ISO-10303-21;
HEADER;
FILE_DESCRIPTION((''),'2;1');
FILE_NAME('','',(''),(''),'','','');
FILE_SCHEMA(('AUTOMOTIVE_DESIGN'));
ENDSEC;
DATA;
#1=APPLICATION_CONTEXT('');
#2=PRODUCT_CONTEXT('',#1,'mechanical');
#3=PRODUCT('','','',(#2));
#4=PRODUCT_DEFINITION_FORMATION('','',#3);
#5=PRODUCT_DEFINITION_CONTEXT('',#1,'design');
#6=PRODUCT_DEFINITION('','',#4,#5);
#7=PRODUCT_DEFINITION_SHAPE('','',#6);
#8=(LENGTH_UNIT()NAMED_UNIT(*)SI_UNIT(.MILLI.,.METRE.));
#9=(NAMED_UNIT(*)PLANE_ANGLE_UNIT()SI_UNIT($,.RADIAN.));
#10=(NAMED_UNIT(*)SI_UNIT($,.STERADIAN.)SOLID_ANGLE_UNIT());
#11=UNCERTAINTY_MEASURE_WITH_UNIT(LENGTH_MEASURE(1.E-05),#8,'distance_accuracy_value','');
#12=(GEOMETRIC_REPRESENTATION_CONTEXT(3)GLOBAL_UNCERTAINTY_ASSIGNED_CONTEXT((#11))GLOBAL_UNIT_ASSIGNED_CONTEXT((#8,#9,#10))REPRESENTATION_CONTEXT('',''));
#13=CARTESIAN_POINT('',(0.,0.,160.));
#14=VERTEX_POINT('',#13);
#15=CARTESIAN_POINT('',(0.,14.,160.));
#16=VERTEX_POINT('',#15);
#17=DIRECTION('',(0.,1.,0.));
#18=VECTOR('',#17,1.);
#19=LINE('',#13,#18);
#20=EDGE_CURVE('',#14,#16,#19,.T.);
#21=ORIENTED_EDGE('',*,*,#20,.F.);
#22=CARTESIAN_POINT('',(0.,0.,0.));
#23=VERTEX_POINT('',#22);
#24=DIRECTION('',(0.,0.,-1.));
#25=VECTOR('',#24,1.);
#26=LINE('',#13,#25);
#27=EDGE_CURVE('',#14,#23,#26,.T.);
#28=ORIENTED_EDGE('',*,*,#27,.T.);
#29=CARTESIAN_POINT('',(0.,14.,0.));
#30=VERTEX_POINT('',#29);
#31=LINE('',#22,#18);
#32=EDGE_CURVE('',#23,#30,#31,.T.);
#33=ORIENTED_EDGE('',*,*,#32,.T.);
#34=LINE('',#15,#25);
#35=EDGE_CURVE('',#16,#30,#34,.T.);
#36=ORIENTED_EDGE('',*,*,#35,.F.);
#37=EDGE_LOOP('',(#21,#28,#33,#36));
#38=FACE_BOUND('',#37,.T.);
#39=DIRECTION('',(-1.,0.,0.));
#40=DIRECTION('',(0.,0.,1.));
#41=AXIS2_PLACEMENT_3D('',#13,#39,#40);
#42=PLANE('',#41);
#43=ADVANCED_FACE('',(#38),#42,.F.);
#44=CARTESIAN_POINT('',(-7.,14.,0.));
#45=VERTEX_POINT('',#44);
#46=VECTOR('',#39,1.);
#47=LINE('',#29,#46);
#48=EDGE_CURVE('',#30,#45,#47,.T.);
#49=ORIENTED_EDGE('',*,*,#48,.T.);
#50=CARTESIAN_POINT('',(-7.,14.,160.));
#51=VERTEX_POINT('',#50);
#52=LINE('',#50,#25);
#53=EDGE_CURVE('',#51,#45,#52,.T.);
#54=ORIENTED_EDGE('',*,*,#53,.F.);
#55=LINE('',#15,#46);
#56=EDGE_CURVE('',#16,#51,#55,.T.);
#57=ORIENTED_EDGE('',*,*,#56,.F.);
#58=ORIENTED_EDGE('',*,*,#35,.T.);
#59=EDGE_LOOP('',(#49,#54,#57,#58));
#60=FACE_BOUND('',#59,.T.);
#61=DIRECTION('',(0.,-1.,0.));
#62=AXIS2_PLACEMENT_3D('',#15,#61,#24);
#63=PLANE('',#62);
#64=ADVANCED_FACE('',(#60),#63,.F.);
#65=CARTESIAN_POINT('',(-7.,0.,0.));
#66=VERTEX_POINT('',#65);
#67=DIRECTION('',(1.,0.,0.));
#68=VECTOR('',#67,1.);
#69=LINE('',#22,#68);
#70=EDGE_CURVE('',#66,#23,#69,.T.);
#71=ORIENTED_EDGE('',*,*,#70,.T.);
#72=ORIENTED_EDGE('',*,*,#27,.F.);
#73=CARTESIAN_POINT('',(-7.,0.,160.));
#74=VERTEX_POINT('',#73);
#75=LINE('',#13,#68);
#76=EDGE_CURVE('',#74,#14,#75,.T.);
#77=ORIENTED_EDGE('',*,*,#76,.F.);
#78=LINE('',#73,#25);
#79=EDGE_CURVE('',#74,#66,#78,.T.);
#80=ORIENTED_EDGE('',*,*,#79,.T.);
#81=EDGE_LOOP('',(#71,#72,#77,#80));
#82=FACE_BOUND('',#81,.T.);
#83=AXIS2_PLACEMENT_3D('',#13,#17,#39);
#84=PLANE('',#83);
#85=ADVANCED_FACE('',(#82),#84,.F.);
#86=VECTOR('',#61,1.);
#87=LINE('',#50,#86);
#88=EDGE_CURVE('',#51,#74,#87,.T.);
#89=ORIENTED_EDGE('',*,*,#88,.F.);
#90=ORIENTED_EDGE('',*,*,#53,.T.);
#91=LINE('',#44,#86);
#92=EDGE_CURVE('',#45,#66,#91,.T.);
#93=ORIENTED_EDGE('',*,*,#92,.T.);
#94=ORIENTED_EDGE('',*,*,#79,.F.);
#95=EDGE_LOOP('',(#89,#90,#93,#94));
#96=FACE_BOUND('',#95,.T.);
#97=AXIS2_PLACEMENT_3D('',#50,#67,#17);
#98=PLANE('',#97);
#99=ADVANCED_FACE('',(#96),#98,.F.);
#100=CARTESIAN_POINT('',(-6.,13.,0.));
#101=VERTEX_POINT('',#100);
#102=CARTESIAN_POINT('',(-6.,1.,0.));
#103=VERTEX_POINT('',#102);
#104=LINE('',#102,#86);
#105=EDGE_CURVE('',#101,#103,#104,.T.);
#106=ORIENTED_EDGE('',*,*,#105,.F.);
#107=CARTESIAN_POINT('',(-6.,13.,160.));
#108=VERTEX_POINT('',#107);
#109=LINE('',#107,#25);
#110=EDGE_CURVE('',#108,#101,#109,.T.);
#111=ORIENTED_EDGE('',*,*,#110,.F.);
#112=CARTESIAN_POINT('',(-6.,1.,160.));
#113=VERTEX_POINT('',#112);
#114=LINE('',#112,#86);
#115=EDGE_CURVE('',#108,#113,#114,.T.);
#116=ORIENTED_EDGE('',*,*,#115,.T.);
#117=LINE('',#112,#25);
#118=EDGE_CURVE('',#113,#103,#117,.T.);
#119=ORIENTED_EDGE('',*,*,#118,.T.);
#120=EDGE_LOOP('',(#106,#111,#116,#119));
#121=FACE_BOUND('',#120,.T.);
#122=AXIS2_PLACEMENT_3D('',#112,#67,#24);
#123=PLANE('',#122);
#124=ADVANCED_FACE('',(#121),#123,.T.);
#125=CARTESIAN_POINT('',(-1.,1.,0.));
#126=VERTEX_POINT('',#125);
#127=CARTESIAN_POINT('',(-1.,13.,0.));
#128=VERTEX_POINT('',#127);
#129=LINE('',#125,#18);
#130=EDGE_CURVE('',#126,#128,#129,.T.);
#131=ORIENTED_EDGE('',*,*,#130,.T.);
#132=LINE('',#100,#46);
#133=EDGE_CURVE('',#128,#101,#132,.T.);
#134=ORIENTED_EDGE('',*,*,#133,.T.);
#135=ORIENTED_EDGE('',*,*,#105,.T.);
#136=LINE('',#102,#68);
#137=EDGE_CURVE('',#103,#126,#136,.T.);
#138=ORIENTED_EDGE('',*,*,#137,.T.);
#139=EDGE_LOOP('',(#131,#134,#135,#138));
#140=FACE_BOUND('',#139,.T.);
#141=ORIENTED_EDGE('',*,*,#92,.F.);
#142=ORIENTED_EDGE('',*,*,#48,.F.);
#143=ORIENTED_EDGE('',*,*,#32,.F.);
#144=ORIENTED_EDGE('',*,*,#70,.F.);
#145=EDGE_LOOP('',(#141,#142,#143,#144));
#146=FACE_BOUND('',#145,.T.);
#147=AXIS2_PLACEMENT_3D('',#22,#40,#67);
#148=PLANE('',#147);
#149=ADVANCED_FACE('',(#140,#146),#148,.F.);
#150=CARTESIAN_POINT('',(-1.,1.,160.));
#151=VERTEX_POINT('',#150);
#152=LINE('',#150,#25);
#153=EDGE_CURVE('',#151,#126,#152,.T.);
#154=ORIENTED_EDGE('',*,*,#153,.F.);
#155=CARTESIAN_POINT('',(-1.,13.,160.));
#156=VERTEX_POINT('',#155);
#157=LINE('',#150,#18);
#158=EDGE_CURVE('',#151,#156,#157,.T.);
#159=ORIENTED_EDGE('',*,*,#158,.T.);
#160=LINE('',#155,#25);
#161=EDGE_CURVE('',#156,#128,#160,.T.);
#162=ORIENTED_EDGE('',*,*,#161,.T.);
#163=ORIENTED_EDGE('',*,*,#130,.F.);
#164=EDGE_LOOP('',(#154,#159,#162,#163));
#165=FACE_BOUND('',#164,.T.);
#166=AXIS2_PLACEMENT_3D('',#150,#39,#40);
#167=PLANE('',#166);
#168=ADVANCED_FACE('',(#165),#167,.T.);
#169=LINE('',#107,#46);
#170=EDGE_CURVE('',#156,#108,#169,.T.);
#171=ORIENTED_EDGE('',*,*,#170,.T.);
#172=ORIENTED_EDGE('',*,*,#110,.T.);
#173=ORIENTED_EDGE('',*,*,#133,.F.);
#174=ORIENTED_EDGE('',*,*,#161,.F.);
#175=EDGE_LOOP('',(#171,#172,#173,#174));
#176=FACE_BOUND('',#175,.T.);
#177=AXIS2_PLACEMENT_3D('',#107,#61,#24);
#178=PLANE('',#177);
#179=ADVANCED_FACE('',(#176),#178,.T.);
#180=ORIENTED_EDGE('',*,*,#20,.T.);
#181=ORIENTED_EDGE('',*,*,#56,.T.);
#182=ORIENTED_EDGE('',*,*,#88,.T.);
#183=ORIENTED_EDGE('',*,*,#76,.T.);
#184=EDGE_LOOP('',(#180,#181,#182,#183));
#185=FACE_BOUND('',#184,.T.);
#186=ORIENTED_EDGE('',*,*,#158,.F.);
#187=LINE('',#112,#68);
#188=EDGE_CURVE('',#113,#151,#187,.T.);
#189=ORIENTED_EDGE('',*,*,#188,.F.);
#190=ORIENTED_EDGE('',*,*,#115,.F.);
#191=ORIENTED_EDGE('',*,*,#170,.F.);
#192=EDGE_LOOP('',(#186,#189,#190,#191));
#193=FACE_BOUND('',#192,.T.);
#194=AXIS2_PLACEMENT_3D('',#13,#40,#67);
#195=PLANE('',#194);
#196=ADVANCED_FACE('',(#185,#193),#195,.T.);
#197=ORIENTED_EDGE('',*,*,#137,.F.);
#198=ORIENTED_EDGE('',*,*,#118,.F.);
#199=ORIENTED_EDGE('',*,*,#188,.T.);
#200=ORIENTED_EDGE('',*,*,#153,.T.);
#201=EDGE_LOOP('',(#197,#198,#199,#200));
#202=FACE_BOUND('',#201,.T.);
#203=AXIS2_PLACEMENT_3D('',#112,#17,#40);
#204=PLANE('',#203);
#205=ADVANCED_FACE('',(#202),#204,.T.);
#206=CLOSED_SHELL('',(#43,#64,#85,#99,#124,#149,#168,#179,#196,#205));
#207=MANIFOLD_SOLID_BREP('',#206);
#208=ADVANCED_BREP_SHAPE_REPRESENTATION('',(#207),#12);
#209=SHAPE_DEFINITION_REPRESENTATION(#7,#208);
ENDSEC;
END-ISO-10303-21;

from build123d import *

# Parameters (mm, degrees)
SKETCH1_W           = 7
SKETCH1_H           = 14
SKETCH1_W_2         = 5
SKETCH1_H_2         = 12
BOSS_EXTRUDE1_DEPTH = 160


with BuildPart() as part:
    # Sketch1 → Boss-Extrude1 (new body)
    with BuildSketch(Plane.XY):
        with Locations((-3.5, 7)):
            Rectangle(SKETCH1_W, SKETCH1_H)
        with Locations((-3.5, 7)):
            Rectangle(SKETCH1_W_2, SKETCH1_H_2, mode=Mode.SUBTRACT)
    extrude(amount=BOSS_EXTRUDE1_DEPTH)


solid = part.part
